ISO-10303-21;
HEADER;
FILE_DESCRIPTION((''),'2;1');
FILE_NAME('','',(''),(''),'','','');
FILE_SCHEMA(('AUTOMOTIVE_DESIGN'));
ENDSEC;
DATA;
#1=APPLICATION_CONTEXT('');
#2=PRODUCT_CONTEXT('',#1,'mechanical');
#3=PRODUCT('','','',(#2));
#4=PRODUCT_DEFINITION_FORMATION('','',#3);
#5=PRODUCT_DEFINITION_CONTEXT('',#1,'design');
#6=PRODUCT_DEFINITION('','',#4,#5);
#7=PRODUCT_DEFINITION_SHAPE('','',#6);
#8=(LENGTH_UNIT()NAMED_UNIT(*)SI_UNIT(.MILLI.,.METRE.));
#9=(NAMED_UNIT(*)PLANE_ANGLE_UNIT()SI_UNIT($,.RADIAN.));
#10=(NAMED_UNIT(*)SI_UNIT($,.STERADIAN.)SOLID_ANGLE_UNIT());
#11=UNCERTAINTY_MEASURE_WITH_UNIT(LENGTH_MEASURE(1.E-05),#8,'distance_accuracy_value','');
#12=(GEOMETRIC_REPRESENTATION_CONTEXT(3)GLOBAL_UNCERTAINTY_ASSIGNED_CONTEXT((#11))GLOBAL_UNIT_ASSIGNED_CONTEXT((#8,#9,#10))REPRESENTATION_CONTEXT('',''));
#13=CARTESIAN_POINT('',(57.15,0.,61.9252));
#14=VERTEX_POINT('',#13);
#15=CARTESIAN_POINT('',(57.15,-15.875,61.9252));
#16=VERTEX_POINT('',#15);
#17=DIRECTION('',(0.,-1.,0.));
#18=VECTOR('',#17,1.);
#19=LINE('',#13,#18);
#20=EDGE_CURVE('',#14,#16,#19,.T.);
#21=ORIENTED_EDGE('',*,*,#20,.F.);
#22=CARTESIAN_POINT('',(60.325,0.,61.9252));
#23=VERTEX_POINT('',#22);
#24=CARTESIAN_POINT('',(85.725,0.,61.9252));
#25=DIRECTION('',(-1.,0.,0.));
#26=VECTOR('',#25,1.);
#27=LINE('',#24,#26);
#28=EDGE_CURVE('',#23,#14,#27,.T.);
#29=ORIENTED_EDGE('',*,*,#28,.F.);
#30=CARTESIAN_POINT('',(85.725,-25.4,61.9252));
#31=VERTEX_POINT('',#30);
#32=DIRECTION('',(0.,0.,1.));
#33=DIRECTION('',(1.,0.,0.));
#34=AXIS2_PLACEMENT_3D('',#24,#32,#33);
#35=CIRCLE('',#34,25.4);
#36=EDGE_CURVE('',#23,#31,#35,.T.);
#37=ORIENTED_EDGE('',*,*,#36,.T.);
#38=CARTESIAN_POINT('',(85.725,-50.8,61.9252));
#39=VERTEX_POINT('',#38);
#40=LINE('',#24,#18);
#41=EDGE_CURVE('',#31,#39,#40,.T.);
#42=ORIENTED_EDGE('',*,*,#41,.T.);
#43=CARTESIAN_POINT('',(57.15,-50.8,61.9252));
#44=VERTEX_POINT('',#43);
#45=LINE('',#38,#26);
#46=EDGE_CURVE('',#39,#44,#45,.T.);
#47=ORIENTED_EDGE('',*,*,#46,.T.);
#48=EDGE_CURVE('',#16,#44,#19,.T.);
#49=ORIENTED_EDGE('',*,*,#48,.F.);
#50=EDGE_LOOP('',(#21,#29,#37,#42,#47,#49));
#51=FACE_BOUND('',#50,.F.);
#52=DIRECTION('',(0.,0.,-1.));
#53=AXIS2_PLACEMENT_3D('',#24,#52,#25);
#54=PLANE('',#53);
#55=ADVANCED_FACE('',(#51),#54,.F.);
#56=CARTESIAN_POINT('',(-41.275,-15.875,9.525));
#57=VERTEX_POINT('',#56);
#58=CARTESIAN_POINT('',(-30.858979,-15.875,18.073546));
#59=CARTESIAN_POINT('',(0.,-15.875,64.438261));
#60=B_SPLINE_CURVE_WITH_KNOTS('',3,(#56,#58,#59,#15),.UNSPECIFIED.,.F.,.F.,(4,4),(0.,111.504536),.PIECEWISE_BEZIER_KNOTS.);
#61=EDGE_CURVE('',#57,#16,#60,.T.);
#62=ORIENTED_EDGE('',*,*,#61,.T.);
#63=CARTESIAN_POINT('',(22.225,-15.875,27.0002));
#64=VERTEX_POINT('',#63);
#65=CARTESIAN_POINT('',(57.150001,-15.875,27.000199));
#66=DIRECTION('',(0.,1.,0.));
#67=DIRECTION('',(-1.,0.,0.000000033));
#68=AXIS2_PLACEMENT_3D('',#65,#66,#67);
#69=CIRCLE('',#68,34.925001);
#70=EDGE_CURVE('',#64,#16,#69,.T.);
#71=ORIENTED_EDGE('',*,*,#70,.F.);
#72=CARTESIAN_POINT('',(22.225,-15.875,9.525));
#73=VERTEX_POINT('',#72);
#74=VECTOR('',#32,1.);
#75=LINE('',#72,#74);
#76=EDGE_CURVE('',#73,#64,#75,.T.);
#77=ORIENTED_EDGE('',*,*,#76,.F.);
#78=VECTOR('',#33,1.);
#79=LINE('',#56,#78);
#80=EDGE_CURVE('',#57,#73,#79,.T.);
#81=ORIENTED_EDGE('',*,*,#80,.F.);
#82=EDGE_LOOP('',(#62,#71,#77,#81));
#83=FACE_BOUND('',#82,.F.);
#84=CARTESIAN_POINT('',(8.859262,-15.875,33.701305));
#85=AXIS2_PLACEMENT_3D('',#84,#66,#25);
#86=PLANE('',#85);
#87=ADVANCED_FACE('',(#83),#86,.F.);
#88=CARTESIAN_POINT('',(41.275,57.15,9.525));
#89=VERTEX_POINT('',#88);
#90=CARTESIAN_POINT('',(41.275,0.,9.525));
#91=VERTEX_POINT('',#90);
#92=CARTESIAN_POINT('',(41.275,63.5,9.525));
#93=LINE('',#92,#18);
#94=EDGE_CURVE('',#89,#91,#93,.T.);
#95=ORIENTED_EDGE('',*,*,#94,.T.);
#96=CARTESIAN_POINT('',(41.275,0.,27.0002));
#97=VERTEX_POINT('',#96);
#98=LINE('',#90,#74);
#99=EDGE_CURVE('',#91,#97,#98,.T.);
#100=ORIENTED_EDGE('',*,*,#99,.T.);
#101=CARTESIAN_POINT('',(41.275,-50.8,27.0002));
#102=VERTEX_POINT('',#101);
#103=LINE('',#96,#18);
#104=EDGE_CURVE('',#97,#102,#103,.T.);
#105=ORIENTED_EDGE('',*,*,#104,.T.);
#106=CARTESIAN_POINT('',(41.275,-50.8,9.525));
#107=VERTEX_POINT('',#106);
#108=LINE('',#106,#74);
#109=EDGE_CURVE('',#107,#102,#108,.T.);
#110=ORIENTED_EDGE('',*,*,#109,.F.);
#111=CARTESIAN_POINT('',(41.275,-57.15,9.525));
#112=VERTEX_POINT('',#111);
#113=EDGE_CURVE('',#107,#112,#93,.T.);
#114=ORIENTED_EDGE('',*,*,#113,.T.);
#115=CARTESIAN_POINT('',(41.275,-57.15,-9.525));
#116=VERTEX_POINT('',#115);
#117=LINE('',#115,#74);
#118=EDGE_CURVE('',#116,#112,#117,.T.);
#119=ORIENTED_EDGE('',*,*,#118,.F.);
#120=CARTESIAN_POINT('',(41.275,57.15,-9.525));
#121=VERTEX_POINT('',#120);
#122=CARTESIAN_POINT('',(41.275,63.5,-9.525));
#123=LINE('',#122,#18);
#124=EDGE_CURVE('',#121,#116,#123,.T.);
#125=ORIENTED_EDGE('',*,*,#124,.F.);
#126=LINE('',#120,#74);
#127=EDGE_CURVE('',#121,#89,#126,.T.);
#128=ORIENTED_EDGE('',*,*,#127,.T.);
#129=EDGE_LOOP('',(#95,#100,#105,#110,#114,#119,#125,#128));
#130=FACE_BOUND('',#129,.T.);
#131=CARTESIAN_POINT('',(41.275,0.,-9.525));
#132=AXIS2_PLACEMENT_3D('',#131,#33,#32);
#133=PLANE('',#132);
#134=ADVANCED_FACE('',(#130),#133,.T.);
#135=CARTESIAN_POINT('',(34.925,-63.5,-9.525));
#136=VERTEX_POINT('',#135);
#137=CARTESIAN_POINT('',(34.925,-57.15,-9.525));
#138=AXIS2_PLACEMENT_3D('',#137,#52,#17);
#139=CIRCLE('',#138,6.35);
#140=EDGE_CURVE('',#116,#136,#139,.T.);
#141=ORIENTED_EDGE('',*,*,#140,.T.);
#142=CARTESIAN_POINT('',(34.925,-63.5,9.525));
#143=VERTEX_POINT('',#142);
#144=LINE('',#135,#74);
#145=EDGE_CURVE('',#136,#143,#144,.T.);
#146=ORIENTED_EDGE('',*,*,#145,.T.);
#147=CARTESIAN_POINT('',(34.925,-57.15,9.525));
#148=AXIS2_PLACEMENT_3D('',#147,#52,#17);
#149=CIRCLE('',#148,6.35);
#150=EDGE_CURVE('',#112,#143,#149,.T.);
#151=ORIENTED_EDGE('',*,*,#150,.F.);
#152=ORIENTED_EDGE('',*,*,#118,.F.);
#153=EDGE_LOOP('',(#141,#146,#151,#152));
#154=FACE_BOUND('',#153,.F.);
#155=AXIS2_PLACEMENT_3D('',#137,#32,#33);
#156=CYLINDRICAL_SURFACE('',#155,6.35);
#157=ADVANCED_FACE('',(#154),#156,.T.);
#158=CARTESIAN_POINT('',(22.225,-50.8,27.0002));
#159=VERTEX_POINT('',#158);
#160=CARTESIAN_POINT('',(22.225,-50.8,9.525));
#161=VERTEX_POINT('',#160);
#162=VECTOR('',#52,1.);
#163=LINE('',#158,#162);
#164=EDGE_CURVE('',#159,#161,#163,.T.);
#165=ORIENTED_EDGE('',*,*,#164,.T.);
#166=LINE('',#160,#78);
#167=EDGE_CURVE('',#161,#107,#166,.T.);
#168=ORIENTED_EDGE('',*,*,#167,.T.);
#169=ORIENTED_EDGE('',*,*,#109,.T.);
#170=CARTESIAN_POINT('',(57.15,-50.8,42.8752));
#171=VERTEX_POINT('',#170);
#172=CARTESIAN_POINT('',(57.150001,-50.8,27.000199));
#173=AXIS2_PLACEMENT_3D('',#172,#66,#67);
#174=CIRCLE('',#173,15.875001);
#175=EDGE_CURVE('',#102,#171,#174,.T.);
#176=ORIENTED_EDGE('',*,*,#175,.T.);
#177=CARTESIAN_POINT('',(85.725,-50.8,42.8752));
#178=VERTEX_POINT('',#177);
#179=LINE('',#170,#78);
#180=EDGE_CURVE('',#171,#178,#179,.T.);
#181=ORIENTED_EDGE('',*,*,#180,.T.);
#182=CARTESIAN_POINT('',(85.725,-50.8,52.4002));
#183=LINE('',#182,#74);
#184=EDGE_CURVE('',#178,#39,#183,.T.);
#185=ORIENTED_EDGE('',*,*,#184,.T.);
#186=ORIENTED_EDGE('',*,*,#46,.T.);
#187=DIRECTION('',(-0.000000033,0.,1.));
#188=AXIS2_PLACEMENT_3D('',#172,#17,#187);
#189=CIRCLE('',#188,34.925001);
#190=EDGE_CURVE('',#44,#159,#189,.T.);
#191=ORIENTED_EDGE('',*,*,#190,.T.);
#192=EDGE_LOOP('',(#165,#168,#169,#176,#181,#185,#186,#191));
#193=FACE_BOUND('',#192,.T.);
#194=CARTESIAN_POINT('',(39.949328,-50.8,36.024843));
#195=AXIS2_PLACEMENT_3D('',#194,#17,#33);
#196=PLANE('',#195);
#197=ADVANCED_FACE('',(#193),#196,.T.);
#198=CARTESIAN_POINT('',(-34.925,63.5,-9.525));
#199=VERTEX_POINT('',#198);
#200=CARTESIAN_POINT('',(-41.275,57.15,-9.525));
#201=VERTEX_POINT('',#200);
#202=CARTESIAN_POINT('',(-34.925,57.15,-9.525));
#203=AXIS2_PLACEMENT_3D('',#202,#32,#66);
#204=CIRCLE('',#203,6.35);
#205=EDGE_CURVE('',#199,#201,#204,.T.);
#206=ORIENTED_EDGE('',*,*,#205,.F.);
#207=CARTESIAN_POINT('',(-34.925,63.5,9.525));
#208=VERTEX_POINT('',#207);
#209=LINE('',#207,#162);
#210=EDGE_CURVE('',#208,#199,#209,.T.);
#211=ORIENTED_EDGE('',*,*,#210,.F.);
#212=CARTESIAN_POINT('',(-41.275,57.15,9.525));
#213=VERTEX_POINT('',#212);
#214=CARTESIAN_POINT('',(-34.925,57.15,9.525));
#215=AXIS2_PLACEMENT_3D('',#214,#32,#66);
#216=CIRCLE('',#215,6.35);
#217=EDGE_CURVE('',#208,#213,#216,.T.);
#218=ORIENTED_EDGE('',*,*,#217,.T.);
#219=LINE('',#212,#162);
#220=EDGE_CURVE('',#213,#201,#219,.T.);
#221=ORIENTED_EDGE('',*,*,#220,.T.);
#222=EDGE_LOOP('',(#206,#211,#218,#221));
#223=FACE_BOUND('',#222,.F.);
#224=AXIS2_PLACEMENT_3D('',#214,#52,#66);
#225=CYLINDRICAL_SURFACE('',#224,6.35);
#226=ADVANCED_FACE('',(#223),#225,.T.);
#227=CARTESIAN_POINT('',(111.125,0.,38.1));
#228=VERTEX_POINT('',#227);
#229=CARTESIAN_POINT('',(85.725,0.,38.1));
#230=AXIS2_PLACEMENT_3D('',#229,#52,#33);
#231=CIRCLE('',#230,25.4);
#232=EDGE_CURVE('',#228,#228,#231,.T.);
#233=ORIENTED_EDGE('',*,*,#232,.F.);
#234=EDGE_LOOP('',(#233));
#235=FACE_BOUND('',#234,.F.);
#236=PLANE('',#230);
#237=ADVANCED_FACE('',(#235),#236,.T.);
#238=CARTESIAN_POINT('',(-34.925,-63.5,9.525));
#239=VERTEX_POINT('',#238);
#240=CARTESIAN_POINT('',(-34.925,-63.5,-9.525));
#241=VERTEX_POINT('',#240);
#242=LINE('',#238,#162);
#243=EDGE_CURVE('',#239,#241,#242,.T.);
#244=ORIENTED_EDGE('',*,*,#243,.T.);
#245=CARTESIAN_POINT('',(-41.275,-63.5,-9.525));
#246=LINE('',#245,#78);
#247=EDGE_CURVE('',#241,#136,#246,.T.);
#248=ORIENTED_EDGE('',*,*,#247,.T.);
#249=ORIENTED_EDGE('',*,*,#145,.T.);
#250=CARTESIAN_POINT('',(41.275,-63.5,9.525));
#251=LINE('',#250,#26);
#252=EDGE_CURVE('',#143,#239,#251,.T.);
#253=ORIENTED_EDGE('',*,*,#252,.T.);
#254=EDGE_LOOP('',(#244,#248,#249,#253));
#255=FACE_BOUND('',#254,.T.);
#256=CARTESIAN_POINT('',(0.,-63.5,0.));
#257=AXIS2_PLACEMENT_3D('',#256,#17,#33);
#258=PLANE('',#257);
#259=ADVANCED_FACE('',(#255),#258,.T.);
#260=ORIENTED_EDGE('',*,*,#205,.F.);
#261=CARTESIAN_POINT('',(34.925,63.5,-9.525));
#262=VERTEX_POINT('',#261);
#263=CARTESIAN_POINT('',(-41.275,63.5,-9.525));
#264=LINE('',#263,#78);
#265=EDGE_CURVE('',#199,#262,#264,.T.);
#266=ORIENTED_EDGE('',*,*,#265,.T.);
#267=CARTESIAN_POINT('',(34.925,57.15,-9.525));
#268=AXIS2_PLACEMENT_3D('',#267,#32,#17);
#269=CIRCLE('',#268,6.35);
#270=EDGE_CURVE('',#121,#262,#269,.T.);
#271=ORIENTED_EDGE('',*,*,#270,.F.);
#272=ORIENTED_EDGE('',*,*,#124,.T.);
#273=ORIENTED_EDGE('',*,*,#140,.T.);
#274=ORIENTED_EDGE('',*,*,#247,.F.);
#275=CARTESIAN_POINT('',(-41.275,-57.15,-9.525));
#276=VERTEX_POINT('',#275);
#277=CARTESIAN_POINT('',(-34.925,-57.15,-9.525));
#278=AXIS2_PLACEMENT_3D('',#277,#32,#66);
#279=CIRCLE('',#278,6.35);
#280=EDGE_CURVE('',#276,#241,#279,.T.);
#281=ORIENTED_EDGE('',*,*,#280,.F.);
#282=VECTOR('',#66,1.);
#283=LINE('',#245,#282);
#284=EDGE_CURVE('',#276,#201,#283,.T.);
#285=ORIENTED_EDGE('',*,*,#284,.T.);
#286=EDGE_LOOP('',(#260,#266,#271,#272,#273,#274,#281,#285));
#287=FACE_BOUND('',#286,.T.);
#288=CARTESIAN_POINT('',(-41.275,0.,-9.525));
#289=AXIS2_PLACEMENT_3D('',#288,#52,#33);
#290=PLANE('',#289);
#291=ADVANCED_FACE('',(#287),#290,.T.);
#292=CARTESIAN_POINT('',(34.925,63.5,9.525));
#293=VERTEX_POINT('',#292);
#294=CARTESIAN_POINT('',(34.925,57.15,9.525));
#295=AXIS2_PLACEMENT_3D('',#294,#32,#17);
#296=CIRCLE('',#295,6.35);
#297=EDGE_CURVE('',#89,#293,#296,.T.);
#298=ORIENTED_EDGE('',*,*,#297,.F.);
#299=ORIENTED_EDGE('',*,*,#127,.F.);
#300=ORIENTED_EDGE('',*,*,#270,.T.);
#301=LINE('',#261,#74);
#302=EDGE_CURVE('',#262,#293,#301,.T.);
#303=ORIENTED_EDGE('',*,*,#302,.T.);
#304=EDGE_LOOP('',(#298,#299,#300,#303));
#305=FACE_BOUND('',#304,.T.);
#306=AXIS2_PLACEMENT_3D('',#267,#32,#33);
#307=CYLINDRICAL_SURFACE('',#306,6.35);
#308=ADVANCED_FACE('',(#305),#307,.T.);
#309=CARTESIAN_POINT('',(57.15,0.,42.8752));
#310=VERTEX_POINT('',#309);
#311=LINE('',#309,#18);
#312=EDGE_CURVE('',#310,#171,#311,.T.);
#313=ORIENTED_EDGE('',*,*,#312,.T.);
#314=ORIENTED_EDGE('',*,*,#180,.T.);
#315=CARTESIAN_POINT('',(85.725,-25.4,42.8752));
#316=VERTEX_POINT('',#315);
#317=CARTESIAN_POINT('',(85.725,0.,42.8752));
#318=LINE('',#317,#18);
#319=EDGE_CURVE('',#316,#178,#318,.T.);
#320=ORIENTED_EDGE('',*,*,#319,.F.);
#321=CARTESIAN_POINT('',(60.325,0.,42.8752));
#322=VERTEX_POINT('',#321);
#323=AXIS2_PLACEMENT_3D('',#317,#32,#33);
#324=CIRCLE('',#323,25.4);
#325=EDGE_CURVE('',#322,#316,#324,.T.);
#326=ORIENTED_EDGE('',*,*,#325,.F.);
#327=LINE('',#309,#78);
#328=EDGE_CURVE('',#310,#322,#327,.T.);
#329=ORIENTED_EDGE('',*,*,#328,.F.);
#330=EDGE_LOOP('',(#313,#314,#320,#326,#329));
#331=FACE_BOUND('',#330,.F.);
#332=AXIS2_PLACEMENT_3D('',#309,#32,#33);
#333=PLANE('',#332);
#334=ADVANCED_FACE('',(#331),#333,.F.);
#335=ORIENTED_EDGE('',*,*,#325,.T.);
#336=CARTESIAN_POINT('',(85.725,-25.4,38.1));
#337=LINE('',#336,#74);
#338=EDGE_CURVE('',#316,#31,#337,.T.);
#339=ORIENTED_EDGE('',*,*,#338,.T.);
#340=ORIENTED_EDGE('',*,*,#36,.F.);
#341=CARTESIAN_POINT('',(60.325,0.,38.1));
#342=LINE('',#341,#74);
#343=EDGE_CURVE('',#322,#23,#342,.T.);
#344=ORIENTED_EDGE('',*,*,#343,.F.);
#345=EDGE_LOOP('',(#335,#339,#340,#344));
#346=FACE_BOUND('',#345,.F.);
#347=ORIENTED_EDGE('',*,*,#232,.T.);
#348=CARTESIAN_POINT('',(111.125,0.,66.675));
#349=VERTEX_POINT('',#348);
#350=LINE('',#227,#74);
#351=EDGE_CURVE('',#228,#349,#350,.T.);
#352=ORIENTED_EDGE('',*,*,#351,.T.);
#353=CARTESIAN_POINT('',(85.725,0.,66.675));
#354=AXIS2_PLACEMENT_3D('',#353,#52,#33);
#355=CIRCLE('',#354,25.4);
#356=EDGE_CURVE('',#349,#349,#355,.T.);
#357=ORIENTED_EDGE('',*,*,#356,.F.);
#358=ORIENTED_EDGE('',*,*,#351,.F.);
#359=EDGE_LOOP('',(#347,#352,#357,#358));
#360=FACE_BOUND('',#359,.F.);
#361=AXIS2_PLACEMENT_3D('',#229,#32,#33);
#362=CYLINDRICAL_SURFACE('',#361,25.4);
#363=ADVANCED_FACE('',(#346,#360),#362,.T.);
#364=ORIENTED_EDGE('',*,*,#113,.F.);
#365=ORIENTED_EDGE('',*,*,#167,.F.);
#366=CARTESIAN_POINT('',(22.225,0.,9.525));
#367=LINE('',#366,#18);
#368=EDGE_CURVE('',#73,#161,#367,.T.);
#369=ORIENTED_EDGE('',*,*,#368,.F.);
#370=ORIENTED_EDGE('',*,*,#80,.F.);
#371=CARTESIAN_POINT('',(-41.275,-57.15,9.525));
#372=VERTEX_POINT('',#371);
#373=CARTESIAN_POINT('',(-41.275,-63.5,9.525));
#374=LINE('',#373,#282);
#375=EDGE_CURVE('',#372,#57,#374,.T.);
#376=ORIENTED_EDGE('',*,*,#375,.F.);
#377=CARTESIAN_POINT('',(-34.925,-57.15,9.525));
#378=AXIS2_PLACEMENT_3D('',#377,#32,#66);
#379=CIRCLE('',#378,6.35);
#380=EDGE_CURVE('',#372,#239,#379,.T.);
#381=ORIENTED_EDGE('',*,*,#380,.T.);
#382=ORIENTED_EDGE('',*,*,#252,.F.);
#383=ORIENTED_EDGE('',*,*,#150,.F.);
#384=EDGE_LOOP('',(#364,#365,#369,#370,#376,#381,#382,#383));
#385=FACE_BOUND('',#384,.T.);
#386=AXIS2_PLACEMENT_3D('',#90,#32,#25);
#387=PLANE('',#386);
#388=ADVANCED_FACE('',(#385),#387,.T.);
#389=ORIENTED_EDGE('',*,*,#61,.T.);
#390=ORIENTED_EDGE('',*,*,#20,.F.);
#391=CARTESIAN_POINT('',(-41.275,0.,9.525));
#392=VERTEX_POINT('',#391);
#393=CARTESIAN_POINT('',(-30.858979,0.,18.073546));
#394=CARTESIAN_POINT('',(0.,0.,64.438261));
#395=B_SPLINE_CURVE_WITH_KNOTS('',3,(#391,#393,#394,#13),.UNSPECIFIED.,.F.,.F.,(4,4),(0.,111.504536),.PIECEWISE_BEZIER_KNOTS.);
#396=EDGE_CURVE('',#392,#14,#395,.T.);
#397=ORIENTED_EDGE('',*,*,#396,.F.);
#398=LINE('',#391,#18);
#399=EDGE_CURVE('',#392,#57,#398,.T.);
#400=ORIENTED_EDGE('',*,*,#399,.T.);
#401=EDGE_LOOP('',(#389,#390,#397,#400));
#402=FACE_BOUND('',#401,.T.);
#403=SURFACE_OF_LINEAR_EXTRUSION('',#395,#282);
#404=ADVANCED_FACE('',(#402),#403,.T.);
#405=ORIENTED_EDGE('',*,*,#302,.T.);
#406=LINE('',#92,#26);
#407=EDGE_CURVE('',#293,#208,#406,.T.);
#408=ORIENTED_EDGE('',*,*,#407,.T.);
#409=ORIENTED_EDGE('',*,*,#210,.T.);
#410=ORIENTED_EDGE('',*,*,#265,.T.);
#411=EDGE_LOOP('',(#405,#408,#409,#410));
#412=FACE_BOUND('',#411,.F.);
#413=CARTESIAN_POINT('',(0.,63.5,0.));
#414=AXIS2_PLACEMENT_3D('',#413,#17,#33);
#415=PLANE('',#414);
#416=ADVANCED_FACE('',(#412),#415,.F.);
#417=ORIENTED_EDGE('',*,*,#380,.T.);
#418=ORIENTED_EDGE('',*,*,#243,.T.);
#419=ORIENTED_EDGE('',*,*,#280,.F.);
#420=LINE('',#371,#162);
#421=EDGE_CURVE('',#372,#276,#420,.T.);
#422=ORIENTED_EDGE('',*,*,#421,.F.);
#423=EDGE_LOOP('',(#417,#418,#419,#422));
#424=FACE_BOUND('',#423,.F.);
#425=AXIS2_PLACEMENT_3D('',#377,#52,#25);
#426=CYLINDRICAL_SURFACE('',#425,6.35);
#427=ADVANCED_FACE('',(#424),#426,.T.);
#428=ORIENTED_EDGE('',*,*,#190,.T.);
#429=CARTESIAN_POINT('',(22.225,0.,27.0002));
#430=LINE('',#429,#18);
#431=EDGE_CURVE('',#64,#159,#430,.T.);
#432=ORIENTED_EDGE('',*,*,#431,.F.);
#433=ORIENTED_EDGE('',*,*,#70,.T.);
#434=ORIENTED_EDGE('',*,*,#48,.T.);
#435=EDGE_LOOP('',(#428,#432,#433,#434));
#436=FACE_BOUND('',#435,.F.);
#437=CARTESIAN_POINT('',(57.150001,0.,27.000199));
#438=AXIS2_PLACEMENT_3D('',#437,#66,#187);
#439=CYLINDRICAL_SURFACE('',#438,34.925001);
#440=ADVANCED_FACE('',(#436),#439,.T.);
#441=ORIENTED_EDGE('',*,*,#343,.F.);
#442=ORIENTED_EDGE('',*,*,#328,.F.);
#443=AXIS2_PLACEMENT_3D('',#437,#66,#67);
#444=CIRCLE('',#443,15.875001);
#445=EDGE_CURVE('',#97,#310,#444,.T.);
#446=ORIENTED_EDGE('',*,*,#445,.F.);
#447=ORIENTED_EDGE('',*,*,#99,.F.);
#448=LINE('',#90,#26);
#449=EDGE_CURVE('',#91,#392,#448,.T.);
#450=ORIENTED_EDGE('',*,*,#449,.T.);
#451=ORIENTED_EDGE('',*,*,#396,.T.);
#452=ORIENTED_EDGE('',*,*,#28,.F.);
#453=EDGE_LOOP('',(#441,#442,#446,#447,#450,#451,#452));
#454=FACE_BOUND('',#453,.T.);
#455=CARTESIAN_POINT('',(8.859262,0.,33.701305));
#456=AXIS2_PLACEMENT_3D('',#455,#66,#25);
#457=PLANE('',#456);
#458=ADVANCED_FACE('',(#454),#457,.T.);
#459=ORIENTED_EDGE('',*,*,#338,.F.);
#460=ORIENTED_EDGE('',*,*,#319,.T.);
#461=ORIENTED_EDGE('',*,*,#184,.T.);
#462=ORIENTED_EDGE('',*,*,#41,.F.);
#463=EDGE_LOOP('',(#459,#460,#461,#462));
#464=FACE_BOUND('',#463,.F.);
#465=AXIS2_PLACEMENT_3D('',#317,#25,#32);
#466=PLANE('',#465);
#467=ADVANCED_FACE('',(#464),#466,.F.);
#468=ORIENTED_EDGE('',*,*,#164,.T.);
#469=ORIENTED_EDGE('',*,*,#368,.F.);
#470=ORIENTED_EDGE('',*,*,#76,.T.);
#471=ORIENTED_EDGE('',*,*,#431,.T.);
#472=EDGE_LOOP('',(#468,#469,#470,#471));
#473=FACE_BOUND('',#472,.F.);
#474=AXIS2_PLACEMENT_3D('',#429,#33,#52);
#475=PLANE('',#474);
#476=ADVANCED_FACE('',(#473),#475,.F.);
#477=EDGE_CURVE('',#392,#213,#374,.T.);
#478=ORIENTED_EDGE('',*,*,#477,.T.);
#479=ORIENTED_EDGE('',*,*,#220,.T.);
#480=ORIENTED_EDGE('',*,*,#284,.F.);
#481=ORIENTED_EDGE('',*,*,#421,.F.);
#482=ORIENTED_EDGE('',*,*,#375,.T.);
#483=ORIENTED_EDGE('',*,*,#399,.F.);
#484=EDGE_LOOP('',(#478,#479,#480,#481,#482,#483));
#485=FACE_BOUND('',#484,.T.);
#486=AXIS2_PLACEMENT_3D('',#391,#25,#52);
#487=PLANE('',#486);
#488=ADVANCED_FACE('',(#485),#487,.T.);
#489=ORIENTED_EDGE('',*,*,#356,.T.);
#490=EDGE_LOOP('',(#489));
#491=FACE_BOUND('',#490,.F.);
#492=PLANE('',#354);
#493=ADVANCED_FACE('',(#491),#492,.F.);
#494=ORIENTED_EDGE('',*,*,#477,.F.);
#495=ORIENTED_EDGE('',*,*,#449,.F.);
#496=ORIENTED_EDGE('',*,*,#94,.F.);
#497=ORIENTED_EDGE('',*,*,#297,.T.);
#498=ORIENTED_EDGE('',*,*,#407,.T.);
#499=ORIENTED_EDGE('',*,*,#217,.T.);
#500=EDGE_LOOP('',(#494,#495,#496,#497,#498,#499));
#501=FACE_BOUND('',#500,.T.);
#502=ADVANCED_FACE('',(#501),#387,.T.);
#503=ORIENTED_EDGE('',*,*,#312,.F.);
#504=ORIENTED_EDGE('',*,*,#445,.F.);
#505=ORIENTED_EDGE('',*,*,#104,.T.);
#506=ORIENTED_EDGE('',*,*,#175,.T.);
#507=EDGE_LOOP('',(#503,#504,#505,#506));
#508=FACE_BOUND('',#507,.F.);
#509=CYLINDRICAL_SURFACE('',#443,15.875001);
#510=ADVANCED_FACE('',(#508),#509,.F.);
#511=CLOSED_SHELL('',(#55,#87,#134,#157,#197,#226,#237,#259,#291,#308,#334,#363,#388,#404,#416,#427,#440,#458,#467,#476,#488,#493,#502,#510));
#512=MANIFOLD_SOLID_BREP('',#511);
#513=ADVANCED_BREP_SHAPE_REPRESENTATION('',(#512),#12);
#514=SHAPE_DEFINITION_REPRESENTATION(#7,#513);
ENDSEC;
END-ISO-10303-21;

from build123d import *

# Parameters (mm, degrees)
F1_DEPTH = 63.5
F0_W     = 25.4
F0_H     = 19.05
F2_DEPTH = 50.8
F3_DEPTH = 15.875
F5_R     = 6.35


with BuildPart() as f1:
    # F0 (on Front) → F1 (new body, symmetric)
    with BuildSketch(Plane.XZ):
        Polygon((-41.275, -9.525), (41.275, -9.525), (41.275, 9.525), (22.225, 9.525), (-41.275, 9.525), align=None)
    extrude(amount=F1_DEPTH, both=True)

    # F0 (on Front) → F2 (join)
    with BuildSketch(Plane.XZ):
        with BuildLine():
            Line((22.225, 9.525), (41.275, 9.525))
            Line((41.275, 9.525), (41.275, 27.0002))
            ThreePointArc((41.275, 27.0002), (45.92468, 38.22552), (57.15, 42.8752))
            Line((57.15, 42.8752), (60.325, 42.8752))
            Line((60.325, 42.8752), (60.325, 61.9252))
            Line((60.325, 61.9252), (57.15, 61.9252))
            ThreePointArc((57.15, 61.9252), (32.454296, 51.695904), (22.225, 27.0002))
            Line((22.225, 27.0002), (22.225, 9.525))
        make_face()
        with Locations((73.025, 52.4002)):
            Rectangle(F0_W, F0_H)
    extrude(amount=F2_DEPTH)

    # F0 (on Front) → F3 (join)
    with BuildSketch(Plane.XZ):
        with BuildLine():
            add(Edge.make_bspline(
                [(-41.275, 9.525), (-30.858979, 18.073546), (0, 64.438261), (57.15, 61.9252)],
                knots=[0, 0, 0, 0, 111.504536, 111.504536, 111.504536, 111.504536], degree=3))
            Line((-41.275, 9.525), (22.225, 9.525))
            Line((22.225, 9.525), (22.225, 27.0002))
            ThreePointArc((22.225, 27.0002), (32.454296, 51.695904), (57.15, 61.9252))
        make_face()
    extrude(amount=F3_DEPTH)

    # F0 (on Front) → F4 (revolve)
    with BuildSketch(Plane.XZ):
        Polygon((85.725, 66.675), (85.725, 61.9252), (85.725, 42.8752), (85.725, 38.1), (111.125, 38.1), (111.125, 66.675), align=None)
    revolve(axis=Axis((85.725, 0, 52.3875), (0, 0, -1)))

    # F5
    f5_edges = [f1.edges().sort_by_distance(p)[0] for p in [
        (-41.275, -63.5, 0),
        (41.275, -63.5, 0),
        (-41.275, 63.5, 0),
        (41.275, 63.5, 0),
    ]]
    fillet(f5_edges, radius=F5_R)


solid = f1.part
